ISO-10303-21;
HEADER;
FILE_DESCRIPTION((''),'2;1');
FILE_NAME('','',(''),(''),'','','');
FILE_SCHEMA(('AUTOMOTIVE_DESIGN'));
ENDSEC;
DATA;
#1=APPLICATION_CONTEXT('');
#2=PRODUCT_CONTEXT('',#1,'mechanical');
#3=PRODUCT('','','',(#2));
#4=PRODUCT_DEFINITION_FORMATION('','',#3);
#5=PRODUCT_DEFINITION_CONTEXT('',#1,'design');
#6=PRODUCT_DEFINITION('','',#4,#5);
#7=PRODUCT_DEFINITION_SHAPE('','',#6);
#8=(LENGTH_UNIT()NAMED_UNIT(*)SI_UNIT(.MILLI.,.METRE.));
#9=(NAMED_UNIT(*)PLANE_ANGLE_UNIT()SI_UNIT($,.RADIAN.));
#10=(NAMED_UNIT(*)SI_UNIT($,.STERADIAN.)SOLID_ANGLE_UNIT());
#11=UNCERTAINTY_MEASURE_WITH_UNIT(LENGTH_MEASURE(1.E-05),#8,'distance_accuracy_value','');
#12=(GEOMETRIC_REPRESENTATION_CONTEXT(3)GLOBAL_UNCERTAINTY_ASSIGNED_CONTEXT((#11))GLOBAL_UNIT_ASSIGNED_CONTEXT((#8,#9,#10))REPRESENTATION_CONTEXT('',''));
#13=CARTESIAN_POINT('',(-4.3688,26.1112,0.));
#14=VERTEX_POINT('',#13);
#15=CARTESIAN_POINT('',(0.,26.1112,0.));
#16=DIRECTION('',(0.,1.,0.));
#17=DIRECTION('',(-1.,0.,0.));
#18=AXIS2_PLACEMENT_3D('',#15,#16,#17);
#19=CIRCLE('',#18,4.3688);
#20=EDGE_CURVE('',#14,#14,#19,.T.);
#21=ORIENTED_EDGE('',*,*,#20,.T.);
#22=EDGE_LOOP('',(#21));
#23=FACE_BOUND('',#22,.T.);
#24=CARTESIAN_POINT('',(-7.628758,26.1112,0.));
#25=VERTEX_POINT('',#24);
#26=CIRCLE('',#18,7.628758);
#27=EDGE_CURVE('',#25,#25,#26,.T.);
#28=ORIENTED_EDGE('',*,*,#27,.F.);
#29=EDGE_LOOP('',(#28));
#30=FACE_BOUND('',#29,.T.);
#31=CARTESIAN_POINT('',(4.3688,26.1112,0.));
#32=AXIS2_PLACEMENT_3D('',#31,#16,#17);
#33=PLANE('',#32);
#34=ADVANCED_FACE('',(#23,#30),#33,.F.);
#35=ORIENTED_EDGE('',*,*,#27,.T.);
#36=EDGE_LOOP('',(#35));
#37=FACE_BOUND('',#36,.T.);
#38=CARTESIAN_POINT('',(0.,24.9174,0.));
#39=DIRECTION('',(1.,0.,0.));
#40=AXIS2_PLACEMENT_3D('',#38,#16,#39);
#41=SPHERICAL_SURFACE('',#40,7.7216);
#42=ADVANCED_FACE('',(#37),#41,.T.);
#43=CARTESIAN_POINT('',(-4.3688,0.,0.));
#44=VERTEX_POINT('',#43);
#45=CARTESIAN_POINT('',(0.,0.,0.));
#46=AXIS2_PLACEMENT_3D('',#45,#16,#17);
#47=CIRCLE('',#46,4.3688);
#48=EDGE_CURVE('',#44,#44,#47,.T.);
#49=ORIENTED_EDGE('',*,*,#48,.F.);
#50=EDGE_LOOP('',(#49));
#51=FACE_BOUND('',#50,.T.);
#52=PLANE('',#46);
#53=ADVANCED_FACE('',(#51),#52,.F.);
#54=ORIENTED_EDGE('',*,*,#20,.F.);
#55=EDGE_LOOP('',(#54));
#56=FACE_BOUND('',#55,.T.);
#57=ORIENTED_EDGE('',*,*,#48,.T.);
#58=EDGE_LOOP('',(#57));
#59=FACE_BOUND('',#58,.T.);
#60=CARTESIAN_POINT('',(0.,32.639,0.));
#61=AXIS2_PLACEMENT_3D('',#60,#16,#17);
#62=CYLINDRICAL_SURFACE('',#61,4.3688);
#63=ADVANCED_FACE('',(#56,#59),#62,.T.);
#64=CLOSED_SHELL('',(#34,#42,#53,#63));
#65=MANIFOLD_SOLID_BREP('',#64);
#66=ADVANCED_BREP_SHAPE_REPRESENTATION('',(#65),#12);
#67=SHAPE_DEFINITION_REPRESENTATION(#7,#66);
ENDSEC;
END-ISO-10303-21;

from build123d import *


with BuildPart() as part:
    # Sketch1 → Rivet Base (revolve)
    with BuildSketch(Plane.XY, mode=Mode.PRIVATE) as rivet_base_sk:
        with BuildLine():
            Line((0, 0), (4.3688, 0))
            Line((4.3688, 0), (4.3688, 26.1112))
            Line((4.3688, 26.1112), (7.628757967, 26.1112))
            ThreePointArc((7.628757967, 26.1112), (5.020212171, 30.784305174), (0, 32.639))
            Line((0, 32.639), (0, 0))
        make_face()
    revolve(rivet_base_sk.sketch.rotate(Axis((0, 32.639, 0), (0, -1, 0)), 180), axis=Axis((0, 32.639, 0), (0, -1, 0)))


solid = part.part
